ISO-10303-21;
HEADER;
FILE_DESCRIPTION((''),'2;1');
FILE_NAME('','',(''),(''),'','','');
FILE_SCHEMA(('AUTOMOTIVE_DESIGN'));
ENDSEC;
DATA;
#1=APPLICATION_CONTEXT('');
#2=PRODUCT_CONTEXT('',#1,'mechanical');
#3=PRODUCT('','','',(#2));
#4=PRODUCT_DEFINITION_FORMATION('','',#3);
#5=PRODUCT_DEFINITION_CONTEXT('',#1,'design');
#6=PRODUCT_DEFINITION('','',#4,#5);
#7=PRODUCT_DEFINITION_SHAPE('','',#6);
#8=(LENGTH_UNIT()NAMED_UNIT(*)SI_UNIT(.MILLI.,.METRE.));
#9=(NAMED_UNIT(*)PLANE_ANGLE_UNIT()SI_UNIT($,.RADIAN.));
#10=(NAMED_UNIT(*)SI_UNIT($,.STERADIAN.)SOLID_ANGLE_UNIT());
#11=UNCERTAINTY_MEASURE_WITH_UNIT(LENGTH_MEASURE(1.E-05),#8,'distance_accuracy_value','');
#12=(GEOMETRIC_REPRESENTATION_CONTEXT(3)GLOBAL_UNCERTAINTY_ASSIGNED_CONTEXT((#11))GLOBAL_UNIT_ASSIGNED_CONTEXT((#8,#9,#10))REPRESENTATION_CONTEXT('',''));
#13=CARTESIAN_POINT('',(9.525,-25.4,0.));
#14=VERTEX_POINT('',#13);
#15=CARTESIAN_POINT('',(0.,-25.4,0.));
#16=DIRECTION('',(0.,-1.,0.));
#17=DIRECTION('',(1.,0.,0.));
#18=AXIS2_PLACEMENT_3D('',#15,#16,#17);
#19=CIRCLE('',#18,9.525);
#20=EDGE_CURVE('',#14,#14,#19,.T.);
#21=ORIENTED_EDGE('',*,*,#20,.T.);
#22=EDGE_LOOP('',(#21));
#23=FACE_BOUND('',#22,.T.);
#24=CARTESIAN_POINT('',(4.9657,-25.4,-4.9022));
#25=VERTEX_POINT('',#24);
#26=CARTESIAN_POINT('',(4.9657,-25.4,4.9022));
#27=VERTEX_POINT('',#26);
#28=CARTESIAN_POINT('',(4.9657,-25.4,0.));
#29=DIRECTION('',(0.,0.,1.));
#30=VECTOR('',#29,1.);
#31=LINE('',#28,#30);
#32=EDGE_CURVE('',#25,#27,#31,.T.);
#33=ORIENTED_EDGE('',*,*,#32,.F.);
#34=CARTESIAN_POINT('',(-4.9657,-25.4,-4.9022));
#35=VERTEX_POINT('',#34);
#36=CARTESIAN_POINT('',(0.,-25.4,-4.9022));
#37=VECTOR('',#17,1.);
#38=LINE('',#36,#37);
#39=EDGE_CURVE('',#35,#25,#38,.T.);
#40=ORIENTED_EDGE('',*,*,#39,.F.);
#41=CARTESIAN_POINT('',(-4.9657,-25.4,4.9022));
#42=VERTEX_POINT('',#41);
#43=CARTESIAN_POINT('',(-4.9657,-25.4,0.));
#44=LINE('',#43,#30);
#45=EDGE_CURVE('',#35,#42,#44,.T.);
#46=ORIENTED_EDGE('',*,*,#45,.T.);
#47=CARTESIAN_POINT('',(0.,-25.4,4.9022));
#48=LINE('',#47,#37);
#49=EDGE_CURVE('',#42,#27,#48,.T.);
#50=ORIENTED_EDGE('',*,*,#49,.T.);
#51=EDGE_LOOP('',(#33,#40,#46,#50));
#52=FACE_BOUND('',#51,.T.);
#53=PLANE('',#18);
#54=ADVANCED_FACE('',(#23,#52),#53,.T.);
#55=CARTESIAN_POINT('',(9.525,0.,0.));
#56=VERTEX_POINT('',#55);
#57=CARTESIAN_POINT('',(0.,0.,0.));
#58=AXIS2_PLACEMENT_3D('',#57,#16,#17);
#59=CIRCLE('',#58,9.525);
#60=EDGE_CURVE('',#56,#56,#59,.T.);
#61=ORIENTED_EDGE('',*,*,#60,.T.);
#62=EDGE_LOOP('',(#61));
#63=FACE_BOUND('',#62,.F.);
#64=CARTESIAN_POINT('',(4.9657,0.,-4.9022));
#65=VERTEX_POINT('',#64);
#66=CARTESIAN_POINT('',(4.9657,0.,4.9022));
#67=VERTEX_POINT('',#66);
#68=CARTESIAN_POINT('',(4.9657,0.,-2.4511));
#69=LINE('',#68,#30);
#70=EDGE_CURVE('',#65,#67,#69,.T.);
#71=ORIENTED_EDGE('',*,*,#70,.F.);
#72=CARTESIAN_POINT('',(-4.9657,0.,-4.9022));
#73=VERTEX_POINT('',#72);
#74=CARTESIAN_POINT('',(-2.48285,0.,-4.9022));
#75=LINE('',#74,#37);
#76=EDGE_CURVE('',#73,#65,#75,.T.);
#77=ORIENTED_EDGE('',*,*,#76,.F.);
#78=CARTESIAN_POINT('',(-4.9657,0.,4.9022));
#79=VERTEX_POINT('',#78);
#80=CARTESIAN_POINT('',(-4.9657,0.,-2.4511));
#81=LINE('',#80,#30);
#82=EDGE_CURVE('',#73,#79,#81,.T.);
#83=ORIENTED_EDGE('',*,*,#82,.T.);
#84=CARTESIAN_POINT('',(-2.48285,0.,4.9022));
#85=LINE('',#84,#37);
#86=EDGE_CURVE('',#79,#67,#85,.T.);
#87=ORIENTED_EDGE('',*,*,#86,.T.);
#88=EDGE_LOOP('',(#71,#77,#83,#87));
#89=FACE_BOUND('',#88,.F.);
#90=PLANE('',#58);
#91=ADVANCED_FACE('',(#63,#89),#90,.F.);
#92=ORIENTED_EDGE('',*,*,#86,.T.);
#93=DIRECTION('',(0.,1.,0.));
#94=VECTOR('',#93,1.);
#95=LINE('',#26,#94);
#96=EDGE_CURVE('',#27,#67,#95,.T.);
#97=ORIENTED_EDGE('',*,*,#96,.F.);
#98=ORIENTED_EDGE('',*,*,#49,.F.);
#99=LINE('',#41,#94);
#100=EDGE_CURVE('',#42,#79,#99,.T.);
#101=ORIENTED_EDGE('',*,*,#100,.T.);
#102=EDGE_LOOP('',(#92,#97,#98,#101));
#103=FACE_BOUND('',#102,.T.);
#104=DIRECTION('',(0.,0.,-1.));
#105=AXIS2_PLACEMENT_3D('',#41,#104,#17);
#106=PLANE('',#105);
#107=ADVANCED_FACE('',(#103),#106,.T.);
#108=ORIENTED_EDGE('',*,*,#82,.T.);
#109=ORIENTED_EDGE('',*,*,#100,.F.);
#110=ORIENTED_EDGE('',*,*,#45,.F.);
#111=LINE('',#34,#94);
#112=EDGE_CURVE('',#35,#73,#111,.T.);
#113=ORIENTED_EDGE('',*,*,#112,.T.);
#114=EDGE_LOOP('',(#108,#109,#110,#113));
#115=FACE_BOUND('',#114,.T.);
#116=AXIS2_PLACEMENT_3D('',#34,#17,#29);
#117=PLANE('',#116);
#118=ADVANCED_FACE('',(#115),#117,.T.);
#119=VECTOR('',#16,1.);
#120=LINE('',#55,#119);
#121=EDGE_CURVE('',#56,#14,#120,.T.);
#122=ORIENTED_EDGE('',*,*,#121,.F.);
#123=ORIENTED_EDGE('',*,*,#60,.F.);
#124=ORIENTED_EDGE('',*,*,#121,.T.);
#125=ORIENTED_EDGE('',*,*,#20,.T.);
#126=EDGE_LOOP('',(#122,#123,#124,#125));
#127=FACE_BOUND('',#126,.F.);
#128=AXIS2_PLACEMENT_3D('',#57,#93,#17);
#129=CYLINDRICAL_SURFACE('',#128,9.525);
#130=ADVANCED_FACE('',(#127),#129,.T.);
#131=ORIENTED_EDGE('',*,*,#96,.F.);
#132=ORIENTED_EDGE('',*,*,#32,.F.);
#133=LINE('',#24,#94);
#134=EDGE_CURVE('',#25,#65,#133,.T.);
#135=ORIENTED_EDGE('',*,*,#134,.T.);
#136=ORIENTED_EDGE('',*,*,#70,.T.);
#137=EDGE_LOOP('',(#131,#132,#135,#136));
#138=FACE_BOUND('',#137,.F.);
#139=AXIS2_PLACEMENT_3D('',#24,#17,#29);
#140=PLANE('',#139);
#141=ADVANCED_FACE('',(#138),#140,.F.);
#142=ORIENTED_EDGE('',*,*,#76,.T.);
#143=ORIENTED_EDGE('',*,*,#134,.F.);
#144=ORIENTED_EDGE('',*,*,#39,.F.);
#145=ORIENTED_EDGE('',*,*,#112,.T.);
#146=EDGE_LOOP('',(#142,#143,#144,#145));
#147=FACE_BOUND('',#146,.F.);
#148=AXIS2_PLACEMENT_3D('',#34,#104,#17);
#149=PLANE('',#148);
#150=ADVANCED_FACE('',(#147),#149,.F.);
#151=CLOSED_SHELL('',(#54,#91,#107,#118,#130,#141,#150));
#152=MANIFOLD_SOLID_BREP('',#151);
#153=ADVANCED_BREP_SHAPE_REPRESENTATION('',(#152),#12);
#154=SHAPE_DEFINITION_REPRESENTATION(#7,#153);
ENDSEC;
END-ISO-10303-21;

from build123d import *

# Parameters (mm, degrees)
F0_R     = 9.525
F1_DEPTH = 25.4
F2_W     = 9.9314
F2_H     = 9.8044
F3_DEPTH = 25.401


with BuildPart() as f1:
    # F0 (on Front) → F1 (new body)
    with BuildSketch(Plane.XZ):
        Circle(F0_R)
    extrude(amount=F1_DEPTH)

    # F2 (on face) → F3 (cut, through all)
    with BuildSketch(Plane.XZ.offset(25.4)):
        Rectangle(F2_W, F2_H)
    extrude(amount=-F3_DEPTH, mode=Mode.SUBTRACT)


solid = f1.part
